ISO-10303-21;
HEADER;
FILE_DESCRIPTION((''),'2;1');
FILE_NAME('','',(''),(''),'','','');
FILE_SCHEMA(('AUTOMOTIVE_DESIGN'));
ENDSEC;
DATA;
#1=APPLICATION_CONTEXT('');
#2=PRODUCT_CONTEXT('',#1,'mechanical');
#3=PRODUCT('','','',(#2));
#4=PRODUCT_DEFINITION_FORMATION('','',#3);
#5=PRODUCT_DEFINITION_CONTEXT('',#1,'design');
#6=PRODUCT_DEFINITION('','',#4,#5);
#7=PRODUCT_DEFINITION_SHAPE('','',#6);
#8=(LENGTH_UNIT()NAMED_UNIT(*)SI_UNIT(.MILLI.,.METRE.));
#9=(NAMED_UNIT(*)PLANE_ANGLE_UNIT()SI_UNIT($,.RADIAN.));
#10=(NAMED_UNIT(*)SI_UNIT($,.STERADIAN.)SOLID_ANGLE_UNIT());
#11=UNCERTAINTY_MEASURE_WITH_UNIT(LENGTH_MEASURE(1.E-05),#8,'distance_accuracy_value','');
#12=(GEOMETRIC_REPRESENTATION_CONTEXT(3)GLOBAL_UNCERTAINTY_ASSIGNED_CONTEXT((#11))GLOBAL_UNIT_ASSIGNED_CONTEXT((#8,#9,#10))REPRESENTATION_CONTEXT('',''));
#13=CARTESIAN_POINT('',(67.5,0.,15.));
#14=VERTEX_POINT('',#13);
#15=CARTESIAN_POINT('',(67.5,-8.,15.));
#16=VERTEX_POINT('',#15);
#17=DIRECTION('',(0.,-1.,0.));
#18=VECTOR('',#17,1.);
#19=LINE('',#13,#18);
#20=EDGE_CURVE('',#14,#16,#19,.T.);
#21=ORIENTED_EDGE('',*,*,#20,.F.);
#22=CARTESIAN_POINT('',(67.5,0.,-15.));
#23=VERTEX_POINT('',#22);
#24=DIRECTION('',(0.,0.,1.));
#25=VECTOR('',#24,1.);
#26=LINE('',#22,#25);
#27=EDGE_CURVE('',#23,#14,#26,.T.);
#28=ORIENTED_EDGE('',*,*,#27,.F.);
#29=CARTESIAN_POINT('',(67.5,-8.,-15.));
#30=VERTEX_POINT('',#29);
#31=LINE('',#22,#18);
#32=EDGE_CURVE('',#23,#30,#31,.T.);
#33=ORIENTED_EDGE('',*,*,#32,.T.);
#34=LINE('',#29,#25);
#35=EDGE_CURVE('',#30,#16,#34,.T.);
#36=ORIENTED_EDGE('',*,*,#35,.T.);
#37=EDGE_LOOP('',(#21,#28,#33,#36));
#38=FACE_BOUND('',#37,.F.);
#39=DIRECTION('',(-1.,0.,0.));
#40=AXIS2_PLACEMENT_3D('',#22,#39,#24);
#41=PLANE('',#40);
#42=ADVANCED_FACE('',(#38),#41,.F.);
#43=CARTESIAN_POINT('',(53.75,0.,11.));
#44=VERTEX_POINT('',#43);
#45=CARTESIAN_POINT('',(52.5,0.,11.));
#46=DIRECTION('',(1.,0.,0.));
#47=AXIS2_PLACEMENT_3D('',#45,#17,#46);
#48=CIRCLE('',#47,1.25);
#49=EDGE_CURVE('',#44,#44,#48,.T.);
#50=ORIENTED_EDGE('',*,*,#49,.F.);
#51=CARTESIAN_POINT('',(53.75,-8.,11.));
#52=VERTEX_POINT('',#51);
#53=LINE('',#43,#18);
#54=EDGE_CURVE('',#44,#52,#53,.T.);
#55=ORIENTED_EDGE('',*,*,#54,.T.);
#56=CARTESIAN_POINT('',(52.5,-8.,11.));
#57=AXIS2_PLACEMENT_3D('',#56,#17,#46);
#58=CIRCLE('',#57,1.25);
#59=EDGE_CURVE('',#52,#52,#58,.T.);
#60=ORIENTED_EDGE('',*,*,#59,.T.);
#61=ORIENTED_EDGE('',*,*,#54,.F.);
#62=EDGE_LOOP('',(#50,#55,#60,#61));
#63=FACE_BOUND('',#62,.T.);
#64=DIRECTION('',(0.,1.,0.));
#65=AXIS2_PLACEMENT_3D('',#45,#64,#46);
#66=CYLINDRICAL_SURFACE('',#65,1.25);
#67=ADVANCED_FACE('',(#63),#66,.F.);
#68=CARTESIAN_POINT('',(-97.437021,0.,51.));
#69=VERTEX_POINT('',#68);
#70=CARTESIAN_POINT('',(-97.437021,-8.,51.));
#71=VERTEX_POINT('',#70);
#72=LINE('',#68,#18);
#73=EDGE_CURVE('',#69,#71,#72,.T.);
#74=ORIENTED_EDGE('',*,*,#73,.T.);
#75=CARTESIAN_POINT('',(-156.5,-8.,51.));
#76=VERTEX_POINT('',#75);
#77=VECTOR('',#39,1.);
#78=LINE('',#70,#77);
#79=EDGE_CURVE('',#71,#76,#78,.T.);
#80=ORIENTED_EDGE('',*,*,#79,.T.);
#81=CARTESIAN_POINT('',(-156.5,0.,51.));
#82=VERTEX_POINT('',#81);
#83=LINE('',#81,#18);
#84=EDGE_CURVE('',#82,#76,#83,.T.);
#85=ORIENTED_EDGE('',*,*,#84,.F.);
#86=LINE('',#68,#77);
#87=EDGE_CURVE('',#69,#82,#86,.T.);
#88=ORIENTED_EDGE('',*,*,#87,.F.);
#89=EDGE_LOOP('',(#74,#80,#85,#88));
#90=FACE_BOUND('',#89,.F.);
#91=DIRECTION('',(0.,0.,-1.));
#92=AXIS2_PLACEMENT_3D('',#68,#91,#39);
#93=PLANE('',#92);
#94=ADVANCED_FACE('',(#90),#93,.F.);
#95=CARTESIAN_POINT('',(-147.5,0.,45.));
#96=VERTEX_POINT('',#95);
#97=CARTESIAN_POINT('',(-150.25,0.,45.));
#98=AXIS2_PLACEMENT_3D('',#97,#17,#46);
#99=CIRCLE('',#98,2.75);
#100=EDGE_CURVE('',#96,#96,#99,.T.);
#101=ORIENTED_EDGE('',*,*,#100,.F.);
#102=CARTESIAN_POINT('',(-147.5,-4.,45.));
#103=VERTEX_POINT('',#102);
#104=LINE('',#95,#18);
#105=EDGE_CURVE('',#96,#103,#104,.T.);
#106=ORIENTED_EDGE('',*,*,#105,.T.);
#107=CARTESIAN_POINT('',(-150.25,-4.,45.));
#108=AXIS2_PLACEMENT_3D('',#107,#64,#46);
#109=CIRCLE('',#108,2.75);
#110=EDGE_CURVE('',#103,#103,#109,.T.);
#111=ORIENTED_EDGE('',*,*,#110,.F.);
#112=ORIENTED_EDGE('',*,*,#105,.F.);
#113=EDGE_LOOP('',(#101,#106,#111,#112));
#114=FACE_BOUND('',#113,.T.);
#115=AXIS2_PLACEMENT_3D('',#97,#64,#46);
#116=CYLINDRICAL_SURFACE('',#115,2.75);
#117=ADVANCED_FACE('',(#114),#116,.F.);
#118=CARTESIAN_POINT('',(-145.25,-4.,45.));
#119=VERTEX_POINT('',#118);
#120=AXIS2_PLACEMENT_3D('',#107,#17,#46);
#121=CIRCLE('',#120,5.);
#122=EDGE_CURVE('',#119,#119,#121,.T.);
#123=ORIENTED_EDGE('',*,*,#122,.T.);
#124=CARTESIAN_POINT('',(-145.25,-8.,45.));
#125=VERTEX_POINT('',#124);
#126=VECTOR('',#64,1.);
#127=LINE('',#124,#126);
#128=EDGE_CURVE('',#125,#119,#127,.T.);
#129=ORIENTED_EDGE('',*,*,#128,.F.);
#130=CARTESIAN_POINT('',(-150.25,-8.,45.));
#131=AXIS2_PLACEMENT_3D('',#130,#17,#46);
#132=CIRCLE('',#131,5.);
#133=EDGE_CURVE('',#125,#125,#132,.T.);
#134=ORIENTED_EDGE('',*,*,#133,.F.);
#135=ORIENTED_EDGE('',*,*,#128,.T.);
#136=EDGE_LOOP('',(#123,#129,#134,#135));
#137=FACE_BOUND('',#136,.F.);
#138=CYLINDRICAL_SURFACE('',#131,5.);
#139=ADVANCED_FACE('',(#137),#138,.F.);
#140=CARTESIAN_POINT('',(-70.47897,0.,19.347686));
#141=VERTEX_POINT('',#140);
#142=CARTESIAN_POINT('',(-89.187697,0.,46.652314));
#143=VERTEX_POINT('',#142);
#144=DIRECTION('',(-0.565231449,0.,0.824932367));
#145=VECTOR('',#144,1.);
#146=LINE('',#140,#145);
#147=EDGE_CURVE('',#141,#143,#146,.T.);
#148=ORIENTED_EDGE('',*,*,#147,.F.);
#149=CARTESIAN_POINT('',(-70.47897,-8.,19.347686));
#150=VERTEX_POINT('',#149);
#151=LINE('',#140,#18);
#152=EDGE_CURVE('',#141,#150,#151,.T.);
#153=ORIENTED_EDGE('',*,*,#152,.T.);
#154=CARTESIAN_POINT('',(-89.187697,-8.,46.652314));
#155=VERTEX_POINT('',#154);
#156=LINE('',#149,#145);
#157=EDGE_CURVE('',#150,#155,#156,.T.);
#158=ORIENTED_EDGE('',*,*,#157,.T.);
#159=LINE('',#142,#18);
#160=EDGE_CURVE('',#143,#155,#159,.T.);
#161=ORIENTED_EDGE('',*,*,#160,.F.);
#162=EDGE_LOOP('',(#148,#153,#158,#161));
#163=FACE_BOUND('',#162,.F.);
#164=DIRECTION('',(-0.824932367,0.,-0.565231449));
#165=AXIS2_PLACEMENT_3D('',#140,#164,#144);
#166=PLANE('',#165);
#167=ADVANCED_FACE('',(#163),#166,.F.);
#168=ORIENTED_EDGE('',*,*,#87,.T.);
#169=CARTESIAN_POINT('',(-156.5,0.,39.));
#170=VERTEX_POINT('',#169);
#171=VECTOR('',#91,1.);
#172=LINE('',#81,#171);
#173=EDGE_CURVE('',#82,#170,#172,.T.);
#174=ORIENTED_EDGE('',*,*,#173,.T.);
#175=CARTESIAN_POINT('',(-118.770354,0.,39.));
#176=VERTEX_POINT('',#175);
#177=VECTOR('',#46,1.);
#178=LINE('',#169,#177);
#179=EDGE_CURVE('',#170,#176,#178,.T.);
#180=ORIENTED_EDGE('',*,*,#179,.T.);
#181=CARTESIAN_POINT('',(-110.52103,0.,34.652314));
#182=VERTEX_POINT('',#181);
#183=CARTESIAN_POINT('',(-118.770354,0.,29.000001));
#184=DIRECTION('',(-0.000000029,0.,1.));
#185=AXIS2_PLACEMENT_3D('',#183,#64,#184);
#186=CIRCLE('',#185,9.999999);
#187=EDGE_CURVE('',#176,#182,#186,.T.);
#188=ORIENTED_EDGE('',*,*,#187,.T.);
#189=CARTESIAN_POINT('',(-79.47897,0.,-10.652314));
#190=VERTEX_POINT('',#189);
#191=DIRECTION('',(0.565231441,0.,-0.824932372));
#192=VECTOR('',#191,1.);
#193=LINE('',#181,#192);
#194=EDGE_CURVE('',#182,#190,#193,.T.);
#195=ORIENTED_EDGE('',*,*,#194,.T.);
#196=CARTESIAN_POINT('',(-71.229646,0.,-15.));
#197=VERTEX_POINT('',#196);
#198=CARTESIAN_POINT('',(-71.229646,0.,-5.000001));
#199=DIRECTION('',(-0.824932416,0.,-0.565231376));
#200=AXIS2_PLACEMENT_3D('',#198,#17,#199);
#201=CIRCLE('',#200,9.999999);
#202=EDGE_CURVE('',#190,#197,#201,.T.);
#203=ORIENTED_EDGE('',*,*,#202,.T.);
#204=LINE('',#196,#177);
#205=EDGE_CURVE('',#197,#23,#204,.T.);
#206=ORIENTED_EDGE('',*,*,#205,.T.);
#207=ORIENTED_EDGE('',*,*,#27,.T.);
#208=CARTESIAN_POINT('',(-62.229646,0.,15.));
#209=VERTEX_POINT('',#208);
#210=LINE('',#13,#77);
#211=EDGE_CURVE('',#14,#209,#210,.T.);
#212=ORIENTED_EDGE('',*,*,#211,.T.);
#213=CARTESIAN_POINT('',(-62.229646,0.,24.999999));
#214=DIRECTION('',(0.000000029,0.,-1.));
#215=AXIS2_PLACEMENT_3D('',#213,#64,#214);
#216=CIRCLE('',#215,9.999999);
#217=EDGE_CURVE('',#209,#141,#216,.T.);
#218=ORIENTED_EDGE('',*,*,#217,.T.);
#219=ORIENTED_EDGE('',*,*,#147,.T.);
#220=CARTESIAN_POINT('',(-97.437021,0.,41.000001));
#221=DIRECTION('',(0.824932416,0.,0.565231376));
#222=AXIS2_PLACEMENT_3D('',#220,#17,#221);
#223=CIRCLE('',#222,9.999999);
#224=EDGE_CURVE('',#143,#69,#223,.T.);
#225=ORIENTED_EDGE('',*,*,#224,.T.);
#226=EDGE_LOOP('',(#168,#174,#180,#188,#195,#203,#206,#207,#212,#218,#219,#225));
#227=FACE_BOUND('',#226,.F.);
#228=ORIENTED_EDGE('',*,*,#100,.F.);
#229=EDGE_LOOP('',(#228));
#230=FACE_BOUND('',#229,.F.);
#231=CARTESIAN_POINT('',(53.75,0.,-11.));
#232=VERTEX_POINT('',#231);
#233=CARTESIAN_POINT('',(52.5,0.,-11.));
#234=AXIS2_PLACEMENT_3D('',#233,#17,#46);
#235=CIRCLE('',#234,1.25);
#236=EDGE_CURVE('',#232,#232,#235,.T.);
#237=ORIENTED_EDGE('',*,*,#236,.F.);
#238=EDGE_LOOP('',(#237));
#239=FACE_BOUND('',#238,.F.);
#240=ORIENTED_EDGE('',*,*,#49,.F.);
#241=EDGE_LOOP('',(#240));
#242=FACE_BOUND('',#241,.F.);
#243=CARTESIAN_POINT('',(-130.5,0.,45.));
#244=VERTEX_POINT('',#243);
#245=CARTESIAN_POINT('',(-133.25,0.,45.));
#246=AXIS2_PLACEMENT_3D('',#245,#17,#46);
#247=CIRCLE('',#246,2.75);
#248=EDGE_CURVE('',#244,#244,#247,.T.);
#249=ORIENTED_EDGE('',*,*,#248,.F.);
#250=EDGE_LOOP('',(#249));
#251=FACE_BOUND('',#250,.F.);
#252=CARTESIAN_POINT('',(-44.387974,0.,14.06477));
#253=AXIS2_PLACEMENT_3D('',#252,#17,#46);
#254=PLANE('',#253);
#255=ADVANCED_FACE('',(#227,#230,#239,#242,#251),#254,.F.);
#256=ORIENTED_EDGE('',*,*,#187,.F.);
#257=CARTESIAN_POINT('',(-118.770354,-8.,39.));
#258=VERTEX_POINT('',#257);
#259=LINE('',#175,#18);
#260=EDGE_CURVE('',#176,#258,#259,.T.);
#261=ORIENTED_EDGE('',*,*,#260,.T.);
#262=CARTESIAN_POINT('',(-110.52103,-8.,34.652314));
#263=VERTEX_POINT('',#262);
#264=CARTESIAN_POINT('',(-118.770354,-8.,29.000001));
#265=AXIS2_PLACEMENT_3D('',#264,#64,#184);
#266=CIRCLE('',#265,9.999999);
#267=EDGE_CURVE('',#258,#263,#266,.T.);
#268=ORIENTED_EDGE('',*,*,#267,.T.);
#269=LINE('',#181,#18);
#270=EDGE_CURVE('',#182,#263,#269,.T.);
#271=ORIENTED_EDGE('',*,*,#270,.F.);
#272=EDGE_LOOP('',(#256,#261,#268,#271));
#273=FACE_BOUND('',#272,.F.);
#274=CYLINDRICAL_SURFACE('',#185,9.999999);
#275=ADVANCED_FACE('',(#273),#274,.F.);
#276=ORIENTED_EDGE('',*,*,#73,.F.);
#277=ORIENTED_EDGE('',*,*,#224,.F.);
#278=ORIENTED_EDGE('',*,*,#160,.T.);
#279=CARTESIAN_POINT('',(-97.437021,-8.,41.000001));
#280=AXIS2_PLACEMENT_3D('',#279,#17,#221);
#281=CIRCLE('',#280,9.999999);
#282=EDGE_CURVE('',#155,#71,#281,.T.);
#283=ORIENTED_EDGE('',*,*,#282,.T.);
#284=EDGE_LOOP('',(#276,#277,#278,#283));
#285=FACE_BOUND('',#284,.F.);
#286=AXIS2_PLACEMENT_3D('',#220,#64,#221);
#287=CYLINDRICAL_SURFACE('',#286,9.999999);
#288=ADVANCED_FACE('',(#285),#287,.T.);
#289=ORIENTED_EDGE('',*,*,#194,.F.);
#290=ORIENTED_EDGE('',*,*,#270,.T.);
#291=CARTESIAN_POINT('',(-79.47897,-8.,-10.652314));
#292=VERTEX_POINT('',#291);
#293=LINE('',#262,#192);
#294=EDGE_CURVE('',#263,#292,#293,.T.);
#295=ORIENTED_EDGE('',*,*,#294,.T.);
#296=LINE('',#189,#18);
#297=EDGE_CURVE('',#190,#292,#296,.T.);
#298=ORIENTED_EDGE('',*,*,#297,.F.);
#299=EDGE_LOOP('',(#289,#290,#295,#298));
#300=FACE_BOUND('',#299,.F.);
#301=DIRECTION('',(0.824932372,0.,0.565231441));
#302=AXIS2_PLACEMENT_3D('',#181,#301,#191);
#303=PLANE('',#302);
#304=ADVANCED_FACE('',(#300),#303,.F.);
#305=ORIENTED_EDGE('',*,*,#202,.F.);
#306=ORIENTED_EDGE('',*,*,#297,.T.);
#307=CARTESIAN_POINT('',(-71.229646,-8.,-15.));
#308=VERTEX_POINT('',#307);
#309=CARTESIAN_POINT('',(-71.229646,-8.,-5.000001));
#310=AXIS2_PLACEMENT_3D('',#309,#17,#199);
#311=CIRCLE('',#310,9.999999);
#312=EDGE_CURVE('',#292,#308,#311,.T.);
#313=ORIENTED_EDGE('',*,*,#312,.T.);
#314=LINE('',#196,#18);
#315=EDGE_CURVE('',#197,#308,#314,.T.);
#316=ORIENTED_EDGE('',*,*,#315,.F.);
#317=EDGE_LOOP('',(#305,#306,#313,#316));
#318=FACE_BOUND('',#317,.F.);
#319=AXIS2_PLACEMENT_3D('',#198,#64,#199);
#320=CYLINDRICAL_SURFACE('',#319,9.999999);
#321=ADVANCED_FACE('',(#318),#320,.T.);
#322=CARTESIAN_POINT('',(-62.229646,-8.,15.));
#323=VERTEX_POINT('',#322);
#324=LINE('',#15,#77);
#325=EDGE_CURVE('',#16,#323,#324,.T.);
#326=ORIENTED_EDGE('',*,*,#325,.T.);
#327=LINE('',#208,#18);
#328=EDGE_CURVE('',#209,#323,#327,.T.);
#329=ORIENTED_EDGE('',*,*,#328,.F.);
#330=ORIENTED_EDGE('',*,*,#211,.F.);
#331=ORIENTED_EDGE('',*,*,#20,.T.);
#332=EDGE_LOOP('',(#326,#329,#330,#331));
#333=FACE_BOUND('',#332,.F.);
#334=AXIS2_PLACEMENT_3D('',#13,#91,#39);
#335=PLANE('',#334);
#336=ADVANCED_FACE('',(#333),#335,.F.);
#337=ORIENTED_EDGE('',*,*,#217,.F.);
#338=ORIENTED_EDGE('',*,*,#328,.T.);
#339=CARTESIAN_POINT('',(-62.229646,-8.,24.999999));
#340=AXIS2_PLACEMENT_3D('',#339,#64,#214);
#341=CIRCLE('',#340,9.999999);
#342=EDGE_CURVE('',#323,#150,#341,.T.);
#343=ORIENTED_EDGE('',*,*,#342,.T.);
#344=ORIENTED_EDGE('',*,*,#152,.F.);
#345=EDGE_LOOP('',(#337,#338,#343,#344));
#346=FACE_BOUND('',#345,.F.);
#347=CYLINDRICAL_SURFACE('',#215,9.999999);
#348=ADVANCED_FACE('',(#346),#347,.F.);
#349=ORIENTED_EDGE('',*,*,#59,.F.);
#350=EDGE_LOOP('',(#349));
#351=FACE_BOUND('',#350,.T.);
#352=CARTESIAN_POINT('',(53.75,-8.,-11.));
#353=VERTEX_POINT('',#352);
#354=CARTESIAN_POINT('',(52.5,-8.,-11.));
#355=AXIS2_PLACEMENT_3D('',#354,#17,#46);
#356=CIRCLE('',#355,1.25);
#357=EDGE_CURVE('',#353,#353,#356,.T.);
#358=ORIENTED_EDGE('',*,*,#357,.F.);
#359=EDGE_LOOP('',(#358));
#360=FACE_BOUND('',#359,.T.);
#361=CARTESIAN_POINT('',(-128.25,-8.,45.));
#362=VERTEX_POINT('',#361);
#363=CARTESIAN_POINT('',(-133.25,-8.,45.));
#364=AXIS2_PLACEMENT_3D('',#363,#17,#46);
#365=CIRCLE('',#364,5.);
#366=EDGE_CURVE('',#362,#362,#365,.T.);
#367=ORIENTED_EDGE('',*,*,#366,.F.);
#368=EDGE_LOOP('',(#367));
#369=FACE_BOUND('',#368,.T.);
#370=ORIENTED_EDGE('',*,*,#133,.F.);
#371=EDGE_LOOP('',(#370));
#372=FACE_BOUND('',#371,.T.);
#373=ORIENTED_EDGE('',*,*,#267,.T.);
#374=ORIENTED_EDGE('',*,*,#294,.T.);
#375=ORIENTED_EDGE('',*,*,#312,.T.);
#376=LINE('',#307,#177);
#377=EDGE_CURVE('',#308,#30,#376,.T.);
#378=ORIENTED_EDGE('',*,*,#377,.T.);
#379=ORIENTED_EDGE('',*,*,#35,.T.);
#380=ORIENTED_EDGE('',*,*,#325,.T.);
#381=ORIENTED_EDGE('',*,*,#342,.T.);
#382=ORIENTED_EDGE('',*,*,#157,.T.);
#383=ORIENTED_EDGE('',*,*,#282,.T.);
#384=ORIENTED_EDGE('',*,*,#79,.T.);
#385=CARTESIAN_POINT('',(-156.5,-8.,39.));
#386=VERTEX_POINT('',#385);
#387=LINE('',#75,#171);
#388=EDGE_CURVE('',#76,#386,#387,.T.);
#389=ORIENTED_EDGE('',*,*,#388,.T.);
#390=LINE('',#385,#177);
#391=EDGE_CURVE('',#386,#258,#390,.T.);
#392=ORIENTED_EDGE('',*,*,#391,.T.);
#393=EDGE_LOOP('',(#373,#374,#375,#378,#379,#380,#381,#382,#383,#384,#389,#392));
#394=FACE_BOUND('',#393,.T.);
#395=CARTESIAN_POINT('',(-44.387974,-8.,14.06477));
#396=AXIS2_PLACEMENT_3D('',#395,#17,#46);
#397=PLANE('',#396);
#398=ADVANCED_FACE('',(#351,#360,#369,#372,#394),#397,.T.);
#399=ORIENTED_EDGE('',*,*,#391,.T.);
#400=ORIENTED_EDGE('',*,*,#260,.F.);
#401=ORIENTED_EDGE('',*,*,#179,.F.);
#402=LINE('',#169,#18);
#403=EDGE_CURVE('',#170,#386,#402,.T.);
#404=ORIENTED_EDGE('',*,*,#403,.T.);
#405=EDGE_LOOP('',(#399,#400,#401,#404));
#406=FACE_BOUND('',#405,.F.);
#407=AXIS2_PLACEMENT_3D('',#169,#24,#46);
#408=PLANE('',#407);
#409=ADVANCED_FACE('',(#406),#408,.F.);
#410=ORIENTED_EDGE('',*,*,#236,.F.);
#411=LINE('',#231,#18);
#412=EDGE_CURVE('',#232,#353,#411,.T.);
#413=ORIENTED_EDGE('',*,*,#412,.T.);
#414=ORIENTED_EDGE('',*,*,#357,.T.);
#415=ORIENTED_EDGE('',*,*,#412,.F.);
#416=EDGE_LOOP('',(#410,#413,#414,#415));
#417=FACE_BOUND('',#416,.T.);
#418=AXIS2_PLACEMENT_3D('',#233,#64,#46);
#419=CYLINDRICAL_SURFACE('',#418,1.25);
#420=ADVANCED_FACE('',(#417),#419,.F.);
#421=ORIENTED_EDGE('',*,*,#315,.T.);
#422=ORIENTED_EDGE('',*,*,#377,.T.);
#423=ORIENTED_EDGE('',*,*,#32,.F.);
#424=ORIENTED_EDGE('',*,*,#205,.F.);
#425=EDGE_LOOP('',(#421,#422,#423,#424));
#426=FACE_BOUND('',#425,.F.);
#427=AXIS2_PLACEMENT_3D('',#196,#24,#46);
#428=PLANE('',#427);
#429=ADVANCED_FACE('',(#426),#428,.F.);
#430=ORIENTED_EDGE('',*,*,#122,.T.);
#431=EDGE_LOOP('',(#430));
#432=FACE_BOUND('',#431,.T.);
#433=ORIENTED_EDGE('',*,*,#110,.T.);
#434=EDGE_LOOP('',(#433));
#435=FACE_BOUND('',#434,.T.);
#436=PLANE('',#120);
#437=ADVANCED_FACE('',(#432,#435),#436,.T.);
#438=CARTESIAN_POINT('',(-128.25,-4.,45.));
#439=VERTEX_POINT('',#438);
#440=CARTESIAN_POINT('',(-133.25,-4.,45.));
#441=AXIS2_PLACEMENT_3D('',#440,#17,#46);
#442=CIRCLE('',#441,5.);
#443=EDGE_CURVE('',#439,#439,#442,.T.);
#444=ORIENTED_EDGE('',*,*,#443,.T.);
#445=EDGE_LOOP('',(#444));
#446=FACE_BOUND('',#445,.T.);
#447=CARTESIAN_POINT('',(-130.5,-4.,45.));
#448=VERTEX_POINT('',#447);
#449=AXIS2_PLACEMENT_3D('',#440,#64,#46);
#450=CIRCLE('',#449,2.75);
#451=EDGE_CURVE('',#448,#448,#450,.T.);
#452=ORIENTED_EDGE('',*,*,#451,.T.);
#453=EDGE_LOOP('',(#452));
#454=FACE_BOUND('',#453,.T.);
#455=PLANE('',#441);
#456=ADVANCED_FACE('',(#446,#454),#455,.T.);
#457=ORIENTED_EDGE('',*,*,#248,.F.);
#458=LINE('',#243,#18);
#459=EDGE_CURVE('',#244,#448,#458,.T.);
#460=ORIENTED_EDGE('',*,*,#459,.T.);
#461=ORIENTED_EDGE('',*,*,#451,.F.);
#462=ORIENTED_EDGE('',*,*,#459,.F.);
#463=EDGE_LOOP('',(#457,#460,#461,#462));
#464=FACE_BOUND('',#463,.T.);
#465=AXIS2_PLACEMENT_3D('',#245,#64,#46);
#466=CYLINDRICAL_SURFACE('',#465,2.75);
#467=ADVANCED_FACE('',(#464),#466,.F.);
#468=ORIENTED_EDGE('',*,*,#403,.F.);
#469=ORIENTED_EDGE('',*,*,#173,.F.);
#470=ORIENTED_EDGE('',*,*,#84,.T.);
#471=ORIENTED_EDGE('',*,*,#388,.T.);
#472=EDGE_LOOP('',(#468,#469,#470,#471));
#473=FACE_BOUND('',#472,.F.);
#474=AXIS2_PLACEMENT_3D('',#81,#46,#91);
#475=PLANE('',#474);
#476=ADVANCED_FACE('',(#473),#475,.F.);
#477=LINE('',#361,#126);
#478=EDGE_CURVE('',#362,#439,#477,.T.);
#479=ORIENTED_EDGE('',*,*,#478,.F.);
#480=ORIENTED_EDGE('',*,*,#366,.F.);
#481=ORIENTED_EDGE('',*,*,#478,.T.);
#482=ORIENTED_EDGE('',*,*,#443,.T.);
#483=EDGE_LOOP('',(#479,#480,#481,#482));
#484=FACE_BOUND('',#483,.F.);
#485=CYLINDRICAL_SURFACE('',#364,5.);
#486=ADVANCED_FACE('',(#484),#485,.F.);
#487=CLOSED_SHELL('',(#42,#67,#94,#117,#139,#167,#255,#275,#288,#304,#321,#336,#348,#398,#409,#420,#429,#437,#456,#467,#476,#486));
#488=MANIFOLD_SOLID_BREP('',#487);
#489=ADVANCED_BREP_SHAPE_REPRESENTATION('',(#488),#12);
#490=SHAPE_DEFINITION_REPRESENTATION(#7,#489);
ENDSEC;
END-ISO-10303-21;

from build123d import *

# Parameters (mm, degrees)
F0_R     = 1.25
F0_R_2   = 2.75
F1_DEPTH = 8
F2_R     = 5
F3_DEPTH = 4


with BuildPart() as f1:
    # F0 (on Front) → F1 (new body)
    with BuildSketch(Plane.XZ):
        with BuildLine():
            Line((67.5, -15), (67.5, 15))
            Line((67.5, 15), (-62.229646, 15))
            ThreePointArc((-62.229646, 15), (-66.892095, 16.153443), (-70.47897, 19.347686))
            Line((-70.47897, 19.347686), (-89.187697, 46.652314))
            ThreePointArc((-89.187697, 46.652314), (-92.774572, 49.846557), (-97.437021, 51))
            Line((-97.437021, 51), (-156.5, 51))
            Line((-156.5, 51), (-156.5, 39))
            Line((-156.5, 39), (-118.770354, 39))
            ThreePointArc((-118.770354, 39), (-114.107905, 37.846557), (-110.52103, 34.652314))
            Line((-110.52103, 34.652314), (-79.47897, -10.652314))
            ThreePointArc((-79.47897, -10.652314), (-75.892095, -13.846557), (-71.229646, -15))
            Line((-71.229646, -15), (67.5, -15))
        make_face()
        with Locations((52.5, -11)):
            Circle(F0_R, mode=Mode.SUBTRACT)
        with Locations((52.5, 11)):
            Circle(F0_R, mode=Mode.SUBTRACT)
        with Locations((-150.25, 45)):
            Circle(F0_R_2, mode=Mode.SUBTRACT)
        with Locations((-133.25, 45)):
            Circle(F0_R_2, mode=Mode.SUBTRACT)
    extrude(amount=F1_DEPTH)

    # F2 (on face) → F3 (cut)
    with BuildSketch(Plane.XZ.offset(8)):
        with Locations((-150.25, 45)):
            Circle(F2_R)
        with Locations((-133.25, 45)):
            Circle(F2_R)
    extrude(amount=-F3_DEPTH, mode=Mode.SUBTRACT)


solid = f1.part
